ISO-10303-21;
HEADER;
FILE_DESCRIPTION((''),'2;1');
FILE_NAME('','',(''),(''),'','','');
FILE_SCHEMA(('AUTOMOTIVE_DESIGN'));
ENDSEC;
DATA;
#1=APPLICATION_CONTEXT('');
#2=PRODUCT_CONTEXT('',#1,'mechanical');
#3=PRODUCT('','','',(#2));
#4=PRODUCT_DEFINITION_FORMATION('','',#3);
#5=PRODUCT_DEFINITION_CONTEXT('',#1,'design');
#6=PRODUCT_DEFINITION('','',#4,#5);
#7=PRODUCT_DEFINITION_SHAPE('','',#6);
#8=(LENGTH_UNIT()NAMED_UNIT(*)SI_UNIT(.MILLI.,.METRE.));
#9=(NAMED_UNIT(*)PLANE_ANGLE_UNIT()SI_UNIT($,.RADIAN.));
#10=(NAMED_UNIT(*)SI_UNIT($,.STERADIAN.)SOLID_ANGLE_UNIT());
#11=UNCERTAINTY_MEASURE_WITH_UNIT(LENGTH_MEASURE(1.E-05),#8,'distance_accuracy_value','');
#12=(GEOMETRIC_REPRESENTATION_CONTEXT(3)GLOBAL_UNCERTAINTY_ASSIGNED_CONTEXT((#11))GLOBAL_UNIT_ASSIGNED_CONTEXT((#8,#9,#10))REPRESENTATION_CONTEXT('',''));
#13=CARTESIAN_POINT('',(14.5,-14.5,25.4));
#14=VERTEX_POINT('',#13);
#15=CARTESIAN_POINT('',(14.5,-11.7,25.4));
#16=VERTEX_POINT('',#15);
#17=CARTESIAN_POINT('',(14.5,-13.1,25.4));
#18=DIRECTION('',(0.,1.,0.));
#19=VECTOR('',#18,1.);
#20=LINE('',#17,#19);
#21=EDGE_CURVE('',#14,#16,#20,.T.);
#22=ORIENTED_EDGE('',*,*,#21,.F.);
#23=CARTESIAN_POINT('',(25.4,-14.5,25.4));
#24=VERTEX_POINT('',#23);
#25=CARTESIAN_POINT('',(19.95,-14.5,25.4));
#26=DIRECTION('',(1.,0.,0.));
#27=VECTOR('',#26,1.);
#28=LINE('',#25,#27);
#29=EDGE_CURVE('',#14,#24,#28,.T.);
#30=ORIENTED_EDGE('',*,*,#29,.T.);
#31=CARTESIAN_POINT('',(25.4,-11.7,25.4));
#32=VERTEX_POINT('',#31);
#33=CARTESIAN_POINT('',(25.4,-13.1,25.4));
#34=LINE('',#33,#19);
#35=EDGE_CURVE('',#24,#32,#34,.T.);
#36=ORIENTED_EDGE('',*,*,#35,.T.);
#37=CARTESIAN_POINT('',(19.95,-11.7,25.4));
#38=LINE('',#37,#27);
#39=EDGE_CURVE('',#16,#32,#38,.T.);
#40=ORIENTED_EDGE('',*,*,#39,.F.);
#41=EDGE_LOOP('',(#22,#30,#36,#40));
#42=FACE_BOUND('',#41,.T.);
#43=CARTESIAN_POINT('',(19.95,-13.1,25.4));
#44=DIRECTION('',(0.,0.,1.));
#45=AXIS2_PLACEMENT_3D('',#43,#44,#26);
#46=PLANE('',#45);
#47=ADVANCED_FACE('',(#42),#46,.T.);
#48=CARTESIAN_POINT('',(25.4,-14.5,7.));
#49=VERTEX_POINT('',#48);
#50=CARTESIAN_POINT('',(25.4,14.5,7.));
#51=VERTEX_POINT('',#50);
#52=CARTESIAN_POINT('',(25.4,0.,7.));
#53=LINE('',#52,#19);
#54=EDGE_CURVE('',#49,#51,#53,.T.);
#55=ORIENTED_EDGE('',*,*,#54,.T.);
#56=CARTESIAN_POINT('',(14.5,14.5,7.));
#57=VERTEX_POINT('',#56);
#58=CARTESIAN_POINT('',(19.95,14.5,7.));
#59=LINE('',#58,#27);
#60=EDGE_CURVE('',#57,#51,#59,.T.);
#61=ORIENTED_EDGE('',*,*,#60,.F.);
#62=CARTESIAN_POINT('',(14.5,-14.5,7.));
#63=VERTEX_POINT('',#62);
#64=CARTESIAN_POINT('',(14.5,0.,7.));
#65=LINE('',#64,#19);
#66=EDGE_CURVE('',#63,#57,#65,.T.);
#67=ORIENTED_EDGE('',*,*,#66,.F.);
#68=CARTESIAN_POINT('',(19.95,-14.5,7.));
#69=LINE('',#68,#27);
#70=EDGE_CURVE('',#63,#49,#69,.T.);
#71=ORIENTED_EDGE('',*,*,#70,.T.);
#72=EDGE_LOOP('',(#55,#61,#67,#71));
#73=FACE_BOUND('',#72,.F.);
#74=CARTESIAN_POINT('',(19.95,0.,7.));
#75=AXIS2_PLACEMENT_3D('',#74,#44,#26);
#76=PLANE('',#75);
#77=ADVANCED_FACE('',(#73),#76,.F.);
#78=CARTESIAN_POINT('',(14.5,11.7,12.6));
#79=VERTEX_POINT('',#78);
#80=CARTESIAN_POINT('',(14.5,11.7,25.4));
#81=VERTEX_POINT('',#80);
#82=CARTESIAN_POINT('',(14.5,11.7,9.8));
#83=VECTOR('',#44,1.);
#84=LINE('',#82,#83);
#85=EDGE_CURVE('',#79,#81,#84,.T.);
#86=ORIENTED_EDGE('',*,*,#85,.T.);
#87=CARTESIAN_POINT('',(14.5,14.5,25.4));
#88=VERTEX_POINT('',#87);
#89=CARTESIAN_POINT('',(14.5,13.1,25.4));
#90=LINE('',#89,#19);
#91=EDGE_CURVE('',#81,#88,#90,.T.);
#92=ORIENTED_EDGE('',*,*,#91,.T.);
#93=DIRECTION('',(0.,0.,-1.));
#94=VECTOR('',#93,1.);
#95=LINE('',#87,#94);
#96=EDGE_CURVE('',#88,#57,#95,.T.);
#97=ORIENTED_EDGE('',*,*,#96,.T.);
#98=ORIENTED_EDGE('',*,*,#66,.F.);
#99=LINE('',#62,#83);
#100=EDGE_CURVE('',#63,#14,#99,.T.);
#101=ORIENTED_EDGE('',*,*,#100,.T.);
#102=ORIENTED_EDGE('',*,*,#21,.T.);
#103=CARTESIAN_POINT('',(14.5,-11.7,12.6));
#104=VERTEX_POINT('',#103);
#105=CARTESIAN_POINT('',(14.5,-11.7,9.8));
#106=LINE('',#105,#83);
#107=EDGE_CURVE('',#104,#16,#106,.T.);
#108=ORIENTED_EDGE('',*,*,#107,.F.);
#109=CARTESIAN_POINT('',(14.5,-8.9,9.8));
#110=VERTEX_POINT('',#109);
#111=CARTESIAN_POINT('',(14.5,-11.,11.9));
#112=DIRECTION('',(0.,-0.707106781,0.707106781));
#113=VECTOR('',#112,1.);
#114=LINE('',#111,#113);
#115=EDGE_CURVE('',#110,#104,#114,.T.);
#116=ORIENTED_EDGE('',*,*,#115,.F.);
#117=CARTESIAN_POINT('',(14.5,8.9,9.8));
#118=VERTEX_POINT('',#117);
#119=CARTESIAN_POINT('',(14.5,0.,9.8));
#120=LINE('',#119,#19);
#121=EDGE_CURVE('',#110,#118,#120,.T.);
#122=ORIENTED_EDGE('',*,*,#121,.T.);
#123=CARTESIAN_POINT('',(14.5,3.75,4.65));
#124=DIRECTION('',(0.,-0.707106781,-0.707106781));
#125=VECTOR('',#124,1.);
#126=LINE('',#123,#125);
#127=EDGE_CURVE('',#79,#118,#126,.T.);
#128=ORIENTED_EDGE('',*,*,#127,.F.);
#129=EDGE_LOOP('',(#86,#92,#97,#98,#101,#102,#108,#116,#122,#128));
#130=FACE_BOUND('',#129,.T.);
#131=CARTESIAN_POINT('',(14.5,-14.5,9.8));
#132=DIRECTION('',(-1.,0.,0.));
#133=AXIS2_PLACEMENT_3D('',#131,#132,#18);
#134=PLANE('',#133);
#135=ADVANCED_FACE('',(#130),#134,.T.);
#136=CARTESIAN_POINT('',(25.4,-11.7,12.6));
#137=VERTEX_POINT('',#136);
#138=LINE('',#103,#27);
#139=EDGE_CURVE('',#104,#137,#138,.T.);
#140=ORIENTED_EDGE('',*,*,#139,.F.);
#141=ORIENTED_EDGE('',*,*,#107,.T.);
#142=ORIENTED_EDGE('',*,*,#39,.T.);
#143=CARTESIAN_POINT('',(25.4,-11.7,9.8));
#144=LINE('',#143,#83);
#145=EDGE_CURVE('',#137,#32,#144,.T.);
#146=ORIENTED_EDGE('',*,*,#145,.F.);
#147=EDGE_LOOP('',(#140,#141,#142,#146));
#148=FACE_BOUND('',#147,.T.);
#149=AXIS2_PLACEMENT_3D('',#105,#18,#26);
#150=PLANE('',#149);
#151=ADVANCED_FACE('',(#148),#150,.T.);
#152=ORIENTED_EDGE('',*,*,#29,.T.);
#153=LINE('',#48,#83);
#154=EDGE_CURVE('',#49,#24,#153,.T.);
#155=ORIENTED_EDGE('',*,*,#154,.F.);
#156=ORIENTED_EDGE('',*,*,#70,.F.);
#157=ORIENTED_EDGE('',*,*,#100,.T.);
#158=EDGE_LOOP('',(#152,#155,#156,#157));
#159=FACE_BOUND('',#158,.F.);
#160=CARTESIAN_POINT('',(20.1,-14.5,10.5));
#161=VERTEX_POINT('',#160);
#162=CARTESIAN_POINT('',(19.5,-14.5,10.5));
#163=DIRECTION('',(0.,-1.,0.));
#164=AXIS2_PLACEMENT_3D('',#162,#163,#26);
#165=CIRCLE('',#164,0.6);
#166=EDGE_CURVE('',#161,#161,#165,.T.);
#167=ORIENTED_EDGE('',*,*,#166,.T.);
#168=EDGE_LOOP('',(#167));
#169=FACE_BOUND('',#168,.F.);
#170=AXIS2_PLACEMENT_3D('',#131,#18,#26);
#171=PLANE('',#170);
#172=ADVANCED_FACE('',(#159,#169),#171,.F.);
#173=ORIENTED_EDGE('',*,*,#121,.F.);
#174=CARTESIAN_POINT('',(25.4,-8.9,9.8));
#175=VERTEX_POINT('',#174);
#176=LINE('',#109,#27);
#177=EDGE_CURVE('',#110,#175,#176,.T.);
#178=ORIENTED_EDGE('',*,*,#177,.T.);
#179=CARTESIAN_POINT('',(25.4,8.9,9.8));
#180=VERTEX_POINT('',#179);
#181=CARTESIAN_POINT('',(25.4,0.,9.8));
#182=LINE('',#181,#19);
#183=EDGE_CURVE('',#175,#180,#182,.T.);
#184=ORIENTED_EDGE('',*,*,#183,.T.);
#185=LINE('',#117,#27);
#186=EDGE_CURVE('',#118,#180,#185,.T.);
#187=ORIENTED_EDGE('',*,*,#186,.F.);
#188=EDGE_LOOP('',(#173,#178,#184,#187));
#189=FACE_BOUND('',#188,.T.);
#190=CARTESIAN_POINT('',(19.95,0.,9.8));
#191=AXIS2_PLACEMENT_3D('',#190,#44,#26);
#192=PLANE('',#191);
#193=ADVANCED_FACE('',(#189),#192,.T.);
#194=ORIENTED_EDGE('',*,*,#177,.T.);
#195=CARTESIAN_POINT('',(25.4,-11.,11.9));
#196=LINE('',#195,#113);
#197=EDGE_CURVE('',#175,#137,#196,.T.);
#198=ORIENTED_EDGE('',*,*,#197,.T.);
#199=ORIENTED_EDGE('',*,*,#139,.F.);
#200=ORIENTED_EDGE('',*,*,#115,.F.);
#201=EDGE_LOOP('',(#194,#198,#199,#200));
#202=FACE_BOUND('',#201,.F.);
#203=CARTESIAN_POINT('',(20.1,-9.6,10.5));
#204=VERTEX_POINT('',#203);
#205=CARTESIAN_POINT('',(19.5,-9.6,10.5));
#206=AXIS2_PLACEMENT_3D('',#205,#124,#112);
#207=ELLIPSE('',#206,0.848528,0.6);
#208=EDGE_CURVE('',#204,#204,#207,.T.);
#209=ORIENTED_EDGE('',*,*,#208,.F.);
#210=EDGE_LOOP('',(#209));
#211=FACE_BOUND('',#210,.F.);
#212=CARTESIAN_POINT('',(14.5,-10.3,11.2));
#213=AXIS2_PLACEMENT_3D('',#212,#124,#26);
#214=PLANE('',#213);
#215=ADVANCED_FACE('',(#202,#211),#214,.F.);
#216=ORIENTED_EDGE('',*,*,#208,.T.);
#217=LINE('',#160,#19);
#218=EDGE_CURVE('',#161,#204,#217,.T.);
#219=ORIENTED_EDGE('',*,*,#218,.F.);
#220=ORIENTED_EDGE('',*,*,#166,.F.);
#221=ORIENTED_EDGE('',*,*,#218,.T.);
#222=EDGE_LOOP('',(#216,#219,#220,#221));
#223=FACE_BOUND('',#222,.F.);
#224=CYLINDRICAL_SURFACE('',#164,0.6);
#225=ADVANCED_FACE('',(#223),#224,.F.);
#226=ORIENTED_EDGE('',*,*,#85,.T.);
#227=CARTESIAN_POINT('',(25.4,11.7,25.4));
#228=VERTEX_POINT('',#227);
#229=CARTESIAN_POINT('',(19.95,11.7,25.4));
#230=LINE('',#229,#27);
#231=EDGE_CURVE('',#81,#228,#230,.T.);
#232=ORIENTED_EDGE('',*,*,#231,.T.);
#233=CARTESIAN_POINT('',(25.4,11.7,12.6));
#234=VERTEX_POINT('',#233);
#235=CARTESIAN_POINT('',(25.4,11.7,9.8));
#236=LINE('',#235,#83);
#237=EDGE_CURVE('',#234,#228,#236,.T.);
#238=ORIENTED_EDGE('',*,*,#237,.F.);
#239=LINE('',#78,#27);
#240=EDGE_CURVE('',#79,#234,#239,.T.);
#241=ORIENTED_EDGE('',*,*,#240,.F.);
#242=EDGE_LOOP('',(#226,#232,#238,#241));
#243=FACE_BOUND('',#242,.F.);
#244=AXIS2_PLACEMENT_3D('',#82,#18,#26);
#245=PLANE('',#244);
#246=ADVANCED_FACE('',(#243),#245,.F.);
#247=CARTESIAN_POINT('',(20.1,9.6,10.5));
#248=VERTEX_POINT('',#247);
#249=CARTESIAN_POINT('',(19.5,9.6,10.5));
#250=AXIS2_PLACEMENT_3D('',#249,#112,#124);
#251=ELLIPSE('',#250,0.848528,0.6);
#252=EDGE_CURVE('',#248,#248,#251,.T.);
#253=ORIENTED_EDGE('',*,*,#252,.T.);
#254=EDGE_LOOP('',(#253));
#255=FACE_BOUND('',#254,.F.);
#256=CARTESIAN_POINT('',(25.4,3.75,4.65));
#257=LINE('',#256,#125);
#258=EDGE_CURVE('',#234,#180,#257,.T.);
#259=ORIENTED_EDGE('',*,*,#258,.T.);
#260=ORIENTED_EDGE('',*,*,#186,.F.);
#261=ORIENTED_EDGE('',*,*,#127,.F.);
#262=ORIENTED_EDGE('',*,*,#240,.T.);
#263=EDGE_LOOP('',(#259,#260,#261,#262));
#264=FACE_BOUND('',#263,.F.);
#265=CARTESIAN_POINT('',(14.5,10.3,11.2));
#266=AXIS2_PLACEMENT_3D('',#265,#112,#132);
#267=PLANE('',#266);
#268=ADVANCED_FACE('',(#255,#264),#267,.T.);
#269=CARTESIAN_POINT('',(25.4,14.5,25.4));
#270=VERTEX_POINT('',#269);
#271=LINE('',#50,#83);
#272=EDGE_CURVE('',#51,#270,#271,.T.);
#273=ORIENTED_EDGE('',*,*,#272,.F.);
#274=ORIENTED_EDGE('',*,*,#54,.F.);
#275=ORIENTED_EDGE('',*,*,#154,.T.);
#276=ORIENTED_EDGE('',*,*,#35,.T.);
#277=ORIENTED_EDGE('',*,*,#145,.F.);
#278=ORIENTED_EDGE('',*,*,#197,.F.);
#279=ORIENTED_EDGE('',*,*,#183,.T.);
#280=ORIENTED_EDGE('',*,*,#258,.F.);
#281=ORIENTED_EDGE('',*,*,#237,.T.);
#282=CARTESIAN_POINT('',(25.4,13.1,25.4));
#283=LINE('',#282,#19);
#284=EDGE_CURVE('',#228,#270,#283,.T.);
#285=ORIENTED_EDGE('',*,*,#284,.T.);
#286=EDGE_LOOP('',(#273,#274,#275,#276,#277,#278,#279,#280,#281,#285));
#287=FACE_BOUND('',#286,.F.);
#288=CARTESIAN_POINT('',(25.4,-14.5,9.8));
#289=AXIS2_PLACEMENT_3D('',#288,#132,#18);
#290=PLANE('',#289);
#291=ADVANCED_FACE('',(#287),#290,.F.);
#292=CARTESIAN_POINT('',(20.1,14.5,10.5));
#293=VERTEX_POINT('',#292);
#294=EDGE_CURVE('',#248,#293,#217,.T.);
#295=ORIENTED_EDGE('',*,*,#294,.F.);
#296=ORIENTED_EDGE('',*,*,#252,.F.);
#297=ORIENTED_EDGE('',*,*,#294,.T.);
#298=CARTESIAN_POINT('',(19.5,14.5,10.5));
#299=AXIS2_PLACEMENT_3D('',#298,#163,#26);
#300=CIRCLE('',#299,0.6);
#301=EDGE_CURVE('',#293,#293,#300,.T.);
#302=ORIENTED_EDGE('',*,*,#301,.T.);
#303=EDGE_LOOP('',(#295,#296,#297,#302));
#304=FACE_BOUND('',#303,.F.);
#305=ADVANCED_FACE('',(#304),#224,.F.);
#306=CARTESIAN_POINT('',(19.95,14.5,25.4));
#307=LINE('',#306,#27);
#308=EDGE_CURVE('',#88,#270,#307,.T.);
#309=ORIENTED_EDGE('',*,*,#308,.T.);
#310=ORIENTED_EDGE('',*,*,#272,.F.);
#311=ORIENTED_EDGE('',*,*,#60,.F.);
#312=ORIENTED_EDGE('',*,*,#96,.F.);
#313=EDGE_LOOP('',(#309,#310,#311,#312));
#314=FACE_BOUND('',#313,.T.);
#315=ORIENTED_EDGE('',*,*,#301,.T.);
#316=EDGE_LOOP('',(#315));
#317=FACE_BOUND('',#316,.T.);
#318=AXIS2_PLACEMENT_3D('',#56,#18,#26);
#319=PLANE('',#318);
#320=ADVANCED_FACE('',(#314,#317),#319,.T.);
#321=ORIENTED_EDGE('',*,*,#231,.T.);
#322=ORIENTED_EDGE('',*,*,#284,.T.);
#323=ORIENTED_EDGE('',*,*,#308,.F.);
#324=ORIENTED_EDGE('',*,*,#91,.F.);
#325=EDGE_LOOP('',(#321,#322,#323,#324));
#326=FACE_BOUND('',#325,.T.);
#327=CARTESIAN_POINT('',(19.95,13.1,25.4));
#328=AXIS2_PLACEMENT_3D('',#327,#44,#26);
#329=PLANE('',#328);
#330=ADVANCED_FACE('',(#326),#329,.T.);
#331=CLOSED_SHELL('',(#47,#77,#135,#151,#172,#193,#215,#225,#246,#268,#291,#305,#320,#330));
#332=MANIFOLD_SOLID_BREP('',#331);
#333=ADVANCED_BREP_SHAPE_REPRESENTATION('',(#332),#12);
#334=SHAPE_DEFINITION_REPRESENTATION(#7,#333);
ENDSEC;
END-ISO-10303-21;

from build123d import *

# Parameters (mm, degrees)
SKETCH023_W     = 10.9
SKETCH023_H     = 29
PAD007_DEPTH    = 2.8
SKETCH024_W     = 10.9
SKETCH024_H     = 2.8
PAD008_DEPTH    = 15.6
CHAMFER_SIZE    = 2.8
SKETCH025_R     = 0.6
POCKET014_DEPTH = 29.001


with BuildPart() as part:
    # Sketch023 (on DatumPlane) → Pad007 (new body)
    with BuildSketch(Plane.XY.offset(7)):
        with Locations((19.95, 0)):
            Rectangle(SKETCH023_W, SKETCH023_H)
    extrude(amount=PAD007_DEPTH)

    # Sketch024 (on DatumPlane) → Pad008 (join)
    with BuildSketch(Plane.XY.offset(9.8)):
        with Locations((19.95, -13.1)):
            Rectangle(SKETCH024_W, SKETCH024_H)
        with Locations((19.95, 13.1)):
            Rectangle(SKETCH024_W, SKETCH024_H)
    extrude(amount=PAD008_DEPTH)

    # Chamfer
    chamfer_edges = [part.edges().sort_by_distance(p)[0] for p in [
        (19.95, 11.7, 9.8),
        (19.95, -11.7, 9.8),
    ]]
    chamfer(chamfer_edges, length=CHAMFER_SIZE)

    # Sketch025 (on DatumPlane) → Pocket014 (cut, through all)
    with BuildSketch(Plane.XZ.offset(14.5)):
        with Locations((19.5, 10.5)):
            Circle(SKETCH025_R)
    extrude(amount=-POCKET014_DEPTH, mode=Mode.SUBTRACT)


solid = part.part
